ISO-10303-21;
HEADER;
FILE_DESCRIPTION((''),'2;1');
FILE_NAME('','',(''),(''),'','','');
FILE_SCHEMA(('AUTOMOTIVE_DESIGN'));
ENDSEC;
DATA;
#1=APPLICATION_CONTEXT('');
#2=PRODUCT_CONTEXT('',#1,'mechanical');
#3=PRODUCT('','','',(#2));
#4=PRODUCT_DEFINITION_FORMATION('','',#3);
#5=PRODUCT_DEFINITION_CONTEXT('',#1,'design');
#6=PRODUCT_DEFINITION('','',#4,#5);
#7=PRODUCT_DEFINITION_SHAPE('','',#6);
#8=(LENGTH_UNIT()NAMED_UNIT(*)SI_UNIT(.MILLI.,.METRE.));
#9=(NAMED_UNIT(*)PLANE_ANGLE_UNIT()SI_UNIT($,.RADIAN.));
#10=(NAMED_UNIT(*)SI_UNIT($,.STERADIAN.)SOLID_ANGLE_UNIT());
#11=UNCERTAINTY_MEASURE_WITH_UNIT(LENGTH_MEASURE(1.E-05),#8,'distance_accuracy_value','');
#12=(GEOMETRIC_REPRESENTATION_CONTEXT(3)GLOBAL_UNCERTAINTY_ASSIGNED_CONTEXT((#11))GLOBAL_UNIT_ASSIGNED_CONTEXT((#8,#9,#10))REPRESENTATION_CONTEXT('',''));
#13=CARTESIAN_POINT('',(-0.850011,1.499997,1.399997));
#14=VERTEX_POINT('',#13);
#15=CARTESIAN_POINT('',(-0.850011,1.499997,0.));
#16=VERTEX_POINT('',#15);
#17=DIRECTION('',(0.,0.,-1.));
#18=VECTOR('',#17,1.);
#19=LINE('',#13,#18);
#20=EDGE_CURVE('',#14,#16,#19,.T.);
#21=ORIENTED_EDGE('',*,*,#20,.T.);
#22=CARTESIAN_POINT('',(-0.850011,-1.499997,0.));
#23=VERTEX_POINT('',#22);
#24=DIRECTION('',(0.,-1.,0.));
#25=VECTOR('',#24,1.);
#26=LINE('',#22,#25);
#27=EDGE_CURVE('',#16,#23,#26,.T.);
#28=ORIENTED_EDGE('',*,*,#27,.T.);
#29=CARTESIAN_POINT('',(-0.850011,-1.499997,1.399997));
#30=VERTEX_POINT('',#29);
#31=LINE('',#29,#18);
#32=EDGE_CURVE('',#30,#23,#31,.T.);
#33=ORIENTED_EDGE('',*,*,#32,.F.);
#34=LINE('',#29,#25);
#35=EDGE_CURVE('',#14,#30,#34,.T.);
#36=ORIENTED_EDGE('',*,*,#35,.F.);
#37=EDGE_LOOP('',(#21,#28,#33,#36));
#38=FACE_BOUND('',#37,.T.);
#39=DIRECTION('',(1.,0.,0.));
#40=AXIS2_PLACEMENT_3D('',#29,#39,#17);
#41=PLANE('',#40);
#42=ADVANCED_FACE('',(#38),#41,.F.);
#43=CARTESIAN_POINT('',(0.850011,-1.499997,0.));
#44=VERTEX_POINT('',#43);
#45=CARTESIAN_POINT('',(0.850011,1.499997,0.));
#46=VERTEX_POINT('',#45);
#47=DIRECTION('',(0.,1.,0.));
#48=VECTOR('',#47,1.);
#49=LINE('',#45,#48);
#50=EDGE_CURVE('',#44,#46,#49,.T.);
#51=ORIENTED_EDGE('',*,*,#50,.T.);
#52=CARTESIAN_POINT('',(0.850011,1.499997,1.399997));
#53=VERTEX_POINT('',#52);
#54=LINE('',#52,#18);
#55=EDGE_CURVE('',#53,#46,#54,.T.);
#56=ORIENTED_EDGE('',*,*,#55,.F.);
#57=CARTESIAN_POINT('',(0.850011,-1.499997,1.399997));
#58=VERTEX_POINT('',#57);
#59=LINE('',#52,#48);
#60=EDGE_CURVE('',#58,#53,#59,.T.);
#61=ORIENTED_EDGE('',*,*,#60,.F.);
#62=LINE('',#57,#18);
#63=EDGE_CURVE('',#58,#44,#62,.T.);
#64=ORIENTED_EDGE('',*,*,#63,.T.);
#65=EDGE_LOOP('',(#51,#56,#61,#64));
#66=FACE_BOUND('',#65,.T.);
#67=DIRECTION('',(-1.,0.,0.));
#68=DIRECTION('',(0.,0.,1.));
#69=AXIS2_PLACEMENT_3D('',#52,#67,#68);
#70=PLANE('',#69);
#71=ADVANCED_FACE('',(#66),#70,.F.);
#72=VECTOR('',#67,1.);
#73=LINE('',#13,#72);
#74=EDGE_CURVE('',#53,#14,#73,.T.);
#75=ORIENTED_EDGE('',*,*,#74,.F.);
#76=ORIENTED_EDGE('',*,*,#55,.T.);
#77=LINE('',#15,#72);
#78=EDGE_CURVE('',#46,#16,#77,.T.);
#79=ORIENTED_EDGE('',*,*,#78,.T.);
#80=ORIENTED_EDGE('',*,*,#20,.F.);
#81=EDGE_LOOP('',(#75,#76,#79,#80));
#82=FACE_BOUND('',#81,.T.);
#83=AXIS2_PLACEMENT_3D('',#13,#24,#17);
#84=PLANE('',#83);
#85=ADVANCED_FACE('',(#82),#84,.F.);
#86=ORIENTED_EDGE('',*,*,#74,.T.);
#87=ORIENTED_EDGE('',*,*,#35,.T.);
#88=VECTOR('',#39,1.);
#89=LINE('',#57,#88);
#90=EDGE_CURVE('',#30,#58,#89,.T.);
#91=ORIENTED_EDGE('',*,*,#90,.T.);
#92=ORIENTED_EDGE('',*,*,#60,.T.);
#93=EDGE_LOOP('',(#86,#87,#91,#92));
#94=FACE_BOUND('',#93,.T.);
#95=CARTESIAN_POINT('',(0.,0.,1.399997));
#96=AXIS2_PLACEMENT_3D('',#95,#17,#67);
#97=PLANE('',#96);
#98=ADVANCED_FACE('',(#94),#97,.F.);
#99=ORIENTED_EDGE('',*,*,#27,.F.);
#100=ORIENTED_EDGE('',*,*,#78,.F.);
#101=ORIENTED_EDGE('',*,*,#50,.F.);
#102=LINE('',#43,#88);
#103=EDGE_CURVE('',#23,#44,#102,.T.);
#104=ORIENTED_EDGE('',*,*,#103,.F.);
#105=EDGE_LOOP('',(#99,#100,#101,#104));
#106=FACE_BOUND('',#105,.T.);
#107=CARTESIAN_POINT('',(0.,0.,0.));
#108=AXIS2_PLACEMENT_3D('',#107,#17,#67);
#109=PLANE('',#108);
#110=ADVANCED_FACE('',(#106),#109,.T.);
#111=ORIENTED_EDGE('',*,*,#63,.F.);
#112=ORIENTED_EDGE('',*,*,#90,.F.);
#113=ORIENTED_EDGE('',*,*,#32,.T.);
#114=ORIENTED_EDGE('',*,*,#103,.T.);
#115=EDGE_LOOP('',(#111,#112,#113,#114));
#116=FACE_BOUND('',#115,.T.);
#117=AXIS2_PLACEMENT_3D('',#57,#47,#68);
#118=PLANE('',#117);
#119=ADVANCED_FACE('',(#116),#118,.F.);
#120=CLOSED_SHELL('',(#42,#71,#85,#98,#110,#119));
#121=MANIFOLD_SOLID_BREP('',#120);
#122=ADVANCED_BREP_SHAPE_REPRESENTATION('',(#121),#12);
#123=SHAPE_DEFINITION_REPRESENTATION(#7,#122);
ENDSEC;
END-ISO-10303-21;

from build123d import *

# Parameters (mm, degrees)
SKETCH1_W               = 1.700022
SKETCH1_H               = 2.999994
COMPONENT_OUTLINE_DEPTH = 1.3999972


with BuildPart() as part:
    # Sketch1 → Component_Outline (new body)
    with BuildSketch(Plane.XY):
        Rectangle(SKETCH1_W, SKETCH1_H)
    extrude(amount=COMPONENT_OUTLINE_DEPTH)


solid = part.part
